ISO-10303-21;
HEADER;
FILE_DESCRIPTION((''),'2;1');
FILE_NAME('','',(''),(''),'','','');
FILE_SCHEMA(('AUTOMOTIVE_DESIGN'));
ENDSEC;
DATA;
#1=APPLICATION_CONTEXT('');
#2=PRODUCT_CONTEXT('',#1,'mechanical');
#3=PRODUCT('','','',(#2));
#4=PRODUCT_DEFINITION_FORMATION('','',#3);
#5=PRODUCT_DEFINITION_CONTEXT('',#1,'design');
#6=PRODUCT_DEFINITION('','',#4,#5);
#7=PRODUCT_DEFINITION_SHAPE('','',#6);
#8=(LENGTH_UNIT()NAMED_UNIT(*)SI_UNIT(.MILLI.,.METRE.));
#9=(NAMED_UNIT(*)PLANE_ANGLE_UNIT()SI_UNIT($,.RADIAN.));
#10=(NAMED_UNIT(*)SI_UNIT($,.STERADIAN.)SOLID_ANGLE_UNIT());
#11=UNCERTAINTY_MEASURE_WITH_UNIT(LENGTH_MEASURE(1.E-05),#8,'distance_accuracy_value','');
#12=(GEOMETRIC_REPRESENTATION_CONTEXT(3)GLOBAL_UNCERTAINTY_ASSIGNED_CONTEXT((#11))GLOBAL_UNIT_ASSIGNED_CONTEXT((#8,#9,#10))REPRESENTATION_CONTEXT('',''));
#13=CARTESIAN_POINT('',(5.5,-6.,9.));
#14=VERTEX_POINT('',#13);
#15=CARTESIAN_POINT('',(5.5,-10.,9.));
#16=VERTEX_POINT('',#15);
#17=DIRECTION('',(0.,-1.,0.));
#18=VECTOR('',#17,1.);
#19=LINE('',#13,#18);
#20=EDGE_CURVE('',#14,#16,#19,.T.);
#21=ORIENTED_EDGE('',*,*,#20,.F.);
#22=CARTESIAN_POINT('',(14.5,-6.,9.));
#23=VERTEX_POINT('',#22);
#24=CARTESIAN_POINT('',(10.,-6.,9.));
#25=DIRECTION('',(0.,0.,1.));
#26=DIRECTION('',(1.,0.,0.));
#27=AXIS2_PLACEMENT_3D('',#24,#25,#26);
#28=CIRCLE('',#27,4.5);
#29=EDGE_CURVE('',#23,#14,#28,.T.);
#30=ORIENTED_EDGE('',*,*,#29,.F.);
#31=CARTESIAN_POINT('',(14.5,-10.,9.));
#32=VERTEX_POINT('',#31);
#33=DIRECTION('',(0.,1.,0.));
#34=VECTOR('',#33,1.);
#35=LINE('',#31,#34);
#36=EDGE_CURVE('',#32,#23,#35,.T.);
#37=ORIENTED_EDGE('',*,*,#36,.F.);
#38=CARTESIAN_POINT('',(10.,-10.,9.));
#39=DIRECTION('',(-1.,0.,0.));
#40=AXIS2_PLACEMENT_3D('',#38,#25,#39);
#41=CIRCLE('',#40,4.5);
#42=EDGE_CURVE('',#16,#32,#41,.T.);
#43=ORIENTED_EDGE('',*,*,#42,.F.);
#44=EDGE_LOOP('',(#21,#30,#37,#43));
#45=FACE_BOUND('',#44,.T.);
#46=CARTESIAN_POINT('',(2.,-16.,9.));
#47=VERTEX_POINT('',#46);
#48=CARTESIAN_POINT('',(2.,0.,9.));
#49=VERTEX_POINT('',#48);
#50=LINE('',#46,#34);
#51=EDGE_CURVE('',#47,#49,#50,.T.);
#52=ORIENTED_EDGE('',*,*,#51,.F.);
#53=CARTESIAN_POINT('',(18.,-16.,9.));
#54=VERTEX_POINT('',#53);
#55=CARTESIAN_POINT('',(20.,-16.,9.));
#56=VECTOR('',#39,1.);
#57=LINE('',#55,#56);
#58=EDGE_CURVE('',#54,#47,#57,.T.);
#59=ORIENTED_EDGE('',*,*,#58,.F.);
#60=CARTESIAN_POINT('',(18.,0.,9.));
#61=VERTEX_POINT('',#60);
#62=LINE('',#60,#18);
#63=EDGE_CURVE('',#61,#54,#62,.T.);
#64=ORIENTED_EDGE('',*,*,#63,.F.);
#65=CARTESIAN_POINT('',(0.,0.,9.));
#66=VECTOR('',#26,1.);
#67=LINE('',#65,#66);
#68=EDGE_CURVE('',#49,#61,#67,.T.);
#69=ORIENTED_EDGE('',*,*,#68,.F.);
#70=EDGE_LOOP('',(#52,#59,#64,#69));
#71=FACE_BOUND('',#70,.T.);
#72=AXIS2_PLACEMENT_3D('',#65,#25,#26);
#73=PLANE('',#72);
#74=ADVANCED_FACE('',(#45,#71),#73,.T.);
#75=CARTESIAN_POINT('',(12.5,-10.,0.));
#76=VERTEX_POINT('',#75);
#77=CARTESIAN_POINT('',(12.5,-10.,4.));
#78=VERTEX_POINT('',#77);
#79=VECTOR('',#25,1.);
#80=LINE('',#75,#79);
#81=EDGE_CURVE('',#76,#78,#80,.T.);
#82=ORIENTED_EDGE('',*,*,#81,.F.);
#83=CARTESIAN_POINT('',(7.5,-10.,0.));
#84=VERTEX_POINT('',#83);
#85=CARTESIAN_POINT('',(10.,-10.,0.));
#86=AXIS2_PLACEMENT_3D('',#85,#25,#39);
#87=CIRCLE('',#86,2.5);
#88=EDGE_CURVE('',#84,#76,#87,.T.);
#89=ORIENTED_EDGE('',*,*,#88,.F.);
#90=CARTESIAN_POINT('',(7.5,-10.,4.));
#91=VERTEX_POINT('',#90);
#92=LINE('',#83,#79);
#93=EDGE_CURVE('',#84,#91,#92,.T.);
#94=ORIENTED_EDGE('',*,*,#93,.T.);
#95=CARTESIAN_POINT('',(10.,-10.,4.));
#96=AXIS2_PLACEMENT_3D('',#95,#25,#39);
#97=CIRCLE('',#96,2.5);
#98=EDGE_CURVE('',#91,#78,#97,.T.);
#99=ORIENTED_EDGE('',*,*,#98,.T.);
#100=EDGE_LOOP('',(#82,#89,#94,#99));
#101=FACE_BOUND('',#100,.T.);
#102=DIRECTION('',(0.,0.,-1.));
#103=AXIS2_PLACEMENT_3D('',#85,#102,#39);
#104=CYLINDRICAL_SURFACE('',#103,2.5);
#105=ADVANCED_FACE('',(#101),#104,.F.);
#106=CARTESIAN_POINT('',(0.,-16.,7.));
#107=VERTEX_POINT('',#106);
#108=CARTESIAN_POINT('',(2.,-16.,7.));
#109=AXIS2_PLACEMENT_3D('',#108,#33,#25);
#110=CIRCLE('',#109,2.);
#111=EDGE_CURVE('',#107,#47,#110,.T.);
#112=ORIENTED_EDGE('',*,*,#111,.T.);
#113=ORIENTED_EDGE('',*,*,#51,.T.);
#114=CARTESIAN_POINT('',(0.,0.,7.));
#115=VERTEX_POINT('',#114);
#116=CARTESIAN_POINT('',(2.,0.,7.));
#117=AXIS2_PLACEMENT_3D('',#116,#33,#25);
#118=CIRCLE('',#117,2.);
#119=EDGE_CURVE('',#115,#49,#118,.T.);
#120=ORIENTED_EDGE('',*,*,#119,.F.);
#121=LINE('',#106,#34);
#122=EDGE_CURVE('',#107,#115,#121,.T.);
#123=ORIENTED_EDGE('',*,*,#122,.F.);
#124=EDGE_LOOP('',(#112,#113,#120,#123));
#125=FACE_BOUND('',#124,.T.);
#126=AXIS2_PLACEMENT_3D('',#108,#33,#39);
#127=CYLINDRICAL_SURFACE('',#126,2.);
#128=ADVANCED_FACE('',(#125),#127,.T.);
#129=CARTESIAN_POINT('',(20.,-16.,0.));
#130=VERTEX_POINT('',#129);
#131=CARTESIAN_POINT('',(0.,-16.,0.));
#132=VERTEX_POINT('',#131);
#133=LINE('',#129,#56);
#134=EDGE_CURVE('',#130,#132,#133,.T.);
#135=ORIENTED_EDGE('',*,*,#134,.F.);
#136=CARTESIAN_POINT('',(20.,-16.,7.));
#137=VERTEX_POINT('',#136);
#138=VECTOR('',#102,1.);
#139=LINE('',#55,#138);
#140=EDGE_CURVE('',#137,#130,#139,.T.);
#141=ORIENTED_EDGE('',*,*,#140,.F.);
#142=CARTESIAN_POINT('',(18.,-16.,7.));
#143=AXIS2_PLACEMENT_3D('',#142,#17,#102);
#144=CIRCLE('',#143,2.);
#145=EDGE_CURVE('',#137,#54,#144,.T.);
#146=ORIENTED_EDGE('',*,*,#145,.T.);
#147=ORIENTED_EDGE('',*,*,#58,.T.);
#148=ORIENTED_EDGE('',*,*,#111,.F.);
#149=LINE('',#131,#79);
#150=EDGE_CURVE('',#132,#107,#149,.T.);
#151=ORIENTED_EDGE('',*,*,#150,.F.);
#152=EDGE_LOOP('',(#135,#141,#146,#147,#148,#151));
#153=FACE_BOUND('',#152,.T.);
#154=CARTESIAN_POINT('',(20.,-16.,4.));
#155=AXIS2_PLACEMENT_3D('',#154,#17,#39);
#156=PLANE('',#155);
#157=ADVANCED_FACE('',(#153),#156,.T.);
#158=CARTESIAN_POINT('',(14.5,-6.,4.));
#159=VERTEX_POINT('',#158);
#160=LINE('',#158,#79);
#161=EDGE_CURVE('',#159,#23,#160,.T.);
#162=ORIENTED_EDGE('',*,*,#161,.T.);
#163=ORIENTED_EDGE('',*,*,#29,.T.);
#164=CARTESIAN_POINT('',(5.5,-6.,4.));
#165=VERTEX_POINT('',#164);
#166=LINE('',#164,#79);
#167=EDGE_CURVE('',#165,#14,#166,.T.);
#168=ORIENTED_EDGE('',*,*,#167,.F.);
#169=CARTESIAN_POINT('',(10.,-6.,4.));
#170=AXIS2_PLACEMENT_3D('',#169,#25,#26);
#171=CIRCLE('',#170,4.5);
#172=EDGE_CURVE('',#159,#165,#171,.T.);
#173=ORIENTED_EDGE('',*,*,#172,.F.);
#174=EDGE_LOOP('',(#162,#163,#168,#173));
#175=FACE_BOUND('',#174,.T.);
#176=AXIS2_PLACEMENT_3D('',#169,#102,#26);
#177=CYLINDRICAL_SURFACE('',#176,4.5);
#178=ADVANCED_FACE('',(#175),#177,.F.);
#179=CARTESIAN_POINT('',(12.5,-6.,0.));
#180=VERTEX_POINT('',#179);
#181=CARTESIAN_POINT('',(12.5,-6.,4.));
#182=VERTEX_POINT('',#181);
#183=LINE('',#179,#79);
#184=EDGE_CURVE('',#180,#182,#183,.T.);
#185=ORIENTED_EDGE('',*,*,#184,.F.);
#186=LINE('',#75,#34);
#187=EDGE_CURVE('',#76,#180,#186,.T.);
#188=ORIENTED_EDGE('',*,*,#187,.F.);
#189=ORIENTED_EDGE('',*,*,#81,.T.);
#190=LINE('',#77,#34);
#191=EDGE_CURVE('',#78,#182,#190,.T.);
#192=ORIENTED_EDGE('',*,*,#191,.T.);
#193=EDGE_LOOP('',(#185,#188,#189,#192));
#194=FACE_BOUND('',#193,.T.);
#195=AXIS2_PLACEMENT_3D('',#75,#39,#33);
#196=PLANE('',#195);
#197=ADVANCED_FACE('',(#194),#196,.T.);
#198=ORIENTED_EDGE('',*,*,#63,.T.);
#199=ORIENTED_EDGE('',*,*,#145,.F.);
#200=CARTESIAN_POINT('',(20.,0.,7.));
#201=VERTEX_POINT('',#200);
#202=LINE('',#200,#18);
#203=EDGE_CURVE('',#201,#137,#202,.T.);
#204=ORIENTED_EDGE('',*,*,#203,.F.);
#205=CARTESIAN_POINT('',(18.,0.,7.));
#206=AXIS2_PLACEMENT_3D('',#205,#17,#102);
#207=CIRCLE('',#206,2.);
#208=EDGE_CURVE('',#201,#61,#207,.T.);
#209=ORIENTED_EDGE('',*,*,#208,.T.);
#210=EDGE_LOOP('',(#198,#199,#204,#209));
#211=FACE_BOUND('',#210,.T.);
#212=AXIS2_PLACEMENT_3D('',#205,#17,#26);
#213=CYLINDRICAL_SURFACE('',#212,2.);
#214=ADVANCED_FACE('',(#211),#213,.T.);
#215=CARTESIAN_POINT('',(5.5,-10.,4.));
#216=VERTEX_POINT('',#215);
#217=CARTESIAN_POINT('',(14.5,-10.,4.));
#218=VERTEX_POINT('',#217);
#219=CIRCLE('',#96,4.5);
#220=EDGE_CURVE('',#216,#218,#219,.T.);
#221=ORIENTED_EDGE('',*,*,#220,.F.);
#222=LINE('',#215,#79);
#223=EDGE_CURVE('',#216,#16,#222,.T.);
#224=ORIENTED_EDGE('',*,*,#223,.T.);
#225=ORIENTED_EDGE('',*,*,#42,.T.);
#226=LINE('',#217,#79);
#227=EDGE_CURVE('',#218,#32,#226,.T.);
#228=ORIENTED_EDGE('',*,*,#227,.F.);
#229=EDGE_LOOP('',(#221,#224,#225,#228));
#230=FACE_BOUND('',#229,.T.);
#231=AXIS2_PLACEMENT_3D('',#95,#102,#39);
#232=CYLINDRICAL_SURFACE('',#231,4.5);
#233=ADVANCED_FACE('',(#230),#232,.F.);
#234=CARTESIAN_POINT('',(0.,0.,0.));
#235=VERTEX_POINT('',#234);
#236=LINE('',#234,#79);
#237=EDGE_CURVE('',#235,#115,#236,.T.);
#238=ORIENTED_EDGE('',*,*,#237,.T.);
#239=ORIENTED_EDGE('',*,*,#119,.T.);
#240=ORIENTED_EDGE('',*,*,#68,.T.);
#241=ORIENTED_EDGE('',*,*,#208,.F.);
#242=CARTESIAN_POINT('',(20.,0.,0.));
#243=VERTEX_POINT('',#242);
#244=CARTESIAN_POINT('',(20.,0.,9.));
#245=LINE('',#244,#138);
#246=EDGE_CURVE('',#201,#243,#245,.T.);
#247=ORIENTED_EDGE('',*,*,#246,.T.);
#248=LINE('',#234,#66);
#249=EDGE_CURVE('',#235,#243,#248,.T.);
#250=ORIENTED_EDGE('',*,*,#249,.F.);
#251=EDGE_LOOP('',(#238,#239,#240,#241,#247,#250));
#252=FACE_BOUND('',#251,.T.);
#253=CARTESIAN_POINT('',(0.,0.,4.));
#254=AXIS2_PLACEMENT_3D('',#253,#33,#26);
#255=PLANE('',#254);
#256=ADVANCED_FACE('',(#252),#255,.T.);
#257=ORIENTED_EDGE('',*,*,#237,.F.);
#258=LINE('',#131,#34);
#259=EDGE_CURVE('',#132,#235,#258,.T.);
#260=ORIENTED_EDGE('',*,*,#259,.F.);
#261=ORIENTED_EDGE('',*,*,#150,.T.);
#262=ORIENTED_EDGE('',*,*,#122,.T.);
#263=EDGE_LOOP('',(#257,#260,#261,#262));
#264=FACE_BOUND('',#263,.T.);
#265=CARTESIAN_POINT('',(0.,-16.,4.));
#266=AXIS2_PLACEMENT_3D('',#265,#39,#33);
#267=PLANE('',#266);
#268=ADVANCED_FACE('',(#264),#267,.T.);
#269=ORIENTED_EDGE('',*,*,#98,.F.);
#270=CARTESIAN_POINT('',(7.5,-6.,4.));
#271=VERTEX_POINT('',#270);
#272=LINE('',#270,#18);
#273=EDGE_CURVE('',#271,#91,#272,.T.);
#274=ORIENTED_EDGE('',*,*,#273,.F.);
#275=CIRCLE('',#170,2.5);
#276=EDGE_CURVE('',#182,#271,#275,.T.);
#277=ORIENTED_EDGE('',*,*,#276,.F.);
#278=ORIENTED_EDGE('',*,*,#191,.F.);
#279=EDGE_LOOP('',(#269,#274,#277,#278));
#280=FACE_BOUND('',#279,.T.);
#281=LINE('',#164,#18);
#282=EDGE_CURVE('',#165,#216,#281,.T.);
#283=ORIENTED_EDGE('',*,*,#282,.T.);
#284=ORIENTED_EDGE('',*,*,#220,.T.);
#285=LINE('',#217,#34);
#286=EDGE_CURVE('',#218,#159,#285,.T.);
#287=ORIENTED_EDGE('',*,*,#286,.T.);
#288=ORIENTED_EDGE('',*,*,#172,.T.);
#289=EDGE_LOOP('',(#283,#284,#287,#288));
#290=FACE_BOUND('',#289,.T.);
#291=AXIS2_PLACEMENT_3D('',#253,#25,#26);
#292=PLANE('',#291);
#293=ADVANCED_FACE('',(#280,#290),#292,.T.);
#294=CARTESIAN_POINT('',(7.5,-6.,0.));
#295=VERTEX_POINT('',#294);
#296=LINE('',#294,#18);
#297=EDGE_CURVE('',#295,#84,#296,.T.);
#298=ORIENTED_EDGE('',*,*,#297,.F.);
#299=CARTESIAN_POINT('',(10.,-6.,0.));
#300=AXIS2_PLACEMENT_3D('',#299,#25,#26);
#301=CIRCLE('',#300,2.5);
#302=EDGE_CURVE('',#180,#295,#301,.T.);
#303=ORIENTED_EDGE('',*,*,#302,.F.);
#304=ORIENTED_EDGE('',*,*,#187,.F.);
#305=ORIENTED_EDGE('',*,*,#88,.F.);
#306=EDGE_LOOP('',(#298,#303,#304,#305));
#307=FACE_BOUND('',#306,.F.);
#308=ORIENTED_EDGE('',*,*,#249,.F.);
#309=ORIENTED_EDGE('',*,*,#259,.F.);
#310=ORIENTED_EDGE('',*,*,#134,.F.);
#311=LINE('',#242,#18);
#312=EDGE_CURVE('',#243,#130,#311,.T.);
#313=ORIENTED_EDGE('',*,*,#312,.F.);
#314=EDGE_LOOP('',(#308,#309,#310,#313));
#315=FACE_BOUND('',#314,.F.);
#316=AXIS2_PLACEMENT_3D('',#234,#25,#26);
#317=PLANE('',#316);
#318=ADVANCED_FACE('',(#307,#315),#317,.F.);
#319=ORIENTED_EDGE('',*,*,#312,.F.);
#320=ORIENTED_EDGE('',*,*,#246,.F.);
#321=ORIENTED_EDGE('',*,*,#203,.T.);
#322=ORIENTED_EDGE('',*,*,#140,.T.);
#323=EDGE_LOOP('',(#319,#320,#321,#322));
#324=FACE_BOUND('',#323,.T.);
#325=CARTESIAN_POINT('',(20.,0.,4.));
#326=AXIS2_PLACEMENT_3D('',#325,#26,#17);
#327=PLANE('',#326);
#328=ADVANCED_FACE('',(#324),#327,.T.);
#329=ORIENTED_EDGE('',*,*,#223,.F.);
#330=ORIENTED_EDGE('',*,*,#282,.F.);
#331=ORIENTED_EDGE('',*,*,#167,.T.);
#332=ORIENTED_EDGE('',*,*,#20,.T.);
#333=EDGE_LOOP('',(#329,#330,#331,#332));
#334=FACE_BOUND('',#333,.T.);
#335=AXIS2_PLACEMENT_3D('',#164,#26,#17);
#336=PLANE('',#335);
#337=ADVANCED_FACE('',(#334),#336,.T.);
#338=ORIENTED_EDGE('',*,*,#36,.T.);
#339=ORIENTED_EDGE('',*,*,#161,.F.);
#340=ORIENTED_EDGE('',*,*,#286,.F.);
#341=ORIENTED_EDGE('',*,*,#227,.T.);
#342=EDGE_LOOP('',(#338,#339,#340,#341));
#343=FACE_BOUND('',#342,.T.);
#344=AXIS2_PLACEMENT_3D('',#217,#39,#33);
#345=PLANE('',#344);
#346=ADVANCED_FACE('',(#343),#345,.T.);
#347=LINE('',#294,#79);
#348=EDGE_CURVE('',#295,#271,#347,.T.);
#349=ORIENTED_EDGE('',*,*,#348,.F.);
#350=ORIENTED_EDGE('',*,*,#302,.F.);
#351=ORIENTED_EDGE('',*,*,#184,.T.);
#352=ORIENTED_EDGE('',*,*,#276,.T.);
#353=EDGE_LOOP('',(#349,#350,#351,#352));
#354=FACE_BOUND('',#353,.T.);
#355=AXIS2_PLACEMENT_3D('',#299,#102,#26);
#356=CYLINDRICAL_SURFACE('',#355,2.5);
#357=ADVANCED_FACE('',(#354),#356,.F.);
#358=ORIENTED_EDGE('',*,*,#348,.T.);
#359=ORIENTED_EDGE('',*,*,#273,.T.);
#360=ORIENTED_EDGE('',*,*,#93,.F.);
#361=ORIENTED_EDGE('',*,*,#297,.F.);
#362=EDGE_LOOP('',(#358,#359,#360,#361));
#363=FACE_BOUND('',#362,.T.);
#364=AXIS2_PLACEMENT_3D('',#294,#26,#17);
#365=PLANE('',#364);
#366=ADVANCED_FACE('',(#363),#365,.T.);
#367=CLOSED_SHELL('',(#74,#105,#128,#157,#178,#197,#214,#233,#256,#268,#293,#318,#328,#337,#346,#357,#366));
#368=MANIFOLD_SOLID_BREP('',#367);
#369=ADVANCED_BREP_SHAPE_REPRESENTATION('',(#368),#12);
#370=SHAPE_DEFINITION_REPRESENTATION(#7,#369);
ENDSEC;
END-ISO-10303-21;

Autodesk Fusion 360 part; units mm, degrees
sketch "Sketch1" plane through (0, 0, 0) normal (0, 0, 1) x (1, 0, 0)
  line L0 (0, 0) -> (20, 0)
  line L1 (20, 0) -> (20, -16)
  line L2 (20, -16) -> (0, -16)
  line L3 (0, -16) -> (0, 0)
  line L4 (20, -8) -> (0, -8) construction
  line L5 (10, 0) -> (10, -16) construction
  line L6 (7.5, -6) -> (7.5, -10)
  arc A0 (7.5, -10) -> (12.5, -10) centre (10, -10) ccw
  line L7 (12.5, -10) -> (12.5, -6)
  arc A1 (12.5, -6) -> (7.5, -6) centre (10, -6) ccw
  line L8 (10, -6) -> (10, -10) construction
  line L9 (5.5, -6) -> (5.5, -10)
  arc A2 (5.5, -10) -> (14.5, -10) centre (10, -10) ccw
  line L10 (14.5, -10) -> (14.5, -6)
  arc A3 (14.5, -6) -> (5.5, -6) centre (10, -6) ccw
  line L11 (10, -6) -> (10, -10) construction
  dimension "d1" = 20
  dimension "d2" = 16
  dimension "d11" = 5
  dimension "d12" = 2
  dimension "d13" = 2
  dimension "d14" = 9
extrude "Extrude1" add sketch "Sketch1" along normal blind 4 contours L0 L1 L2 L3 | L9 A2 L10 A3
extrude "Extrude2" add sketch "Sketch1" along normal blind 5 from surface at 4 contours L0 L1 L2 L3
fillet "Fillet1" radius 2 2 edges at (20, -8, 9) (0, -8, 9)
